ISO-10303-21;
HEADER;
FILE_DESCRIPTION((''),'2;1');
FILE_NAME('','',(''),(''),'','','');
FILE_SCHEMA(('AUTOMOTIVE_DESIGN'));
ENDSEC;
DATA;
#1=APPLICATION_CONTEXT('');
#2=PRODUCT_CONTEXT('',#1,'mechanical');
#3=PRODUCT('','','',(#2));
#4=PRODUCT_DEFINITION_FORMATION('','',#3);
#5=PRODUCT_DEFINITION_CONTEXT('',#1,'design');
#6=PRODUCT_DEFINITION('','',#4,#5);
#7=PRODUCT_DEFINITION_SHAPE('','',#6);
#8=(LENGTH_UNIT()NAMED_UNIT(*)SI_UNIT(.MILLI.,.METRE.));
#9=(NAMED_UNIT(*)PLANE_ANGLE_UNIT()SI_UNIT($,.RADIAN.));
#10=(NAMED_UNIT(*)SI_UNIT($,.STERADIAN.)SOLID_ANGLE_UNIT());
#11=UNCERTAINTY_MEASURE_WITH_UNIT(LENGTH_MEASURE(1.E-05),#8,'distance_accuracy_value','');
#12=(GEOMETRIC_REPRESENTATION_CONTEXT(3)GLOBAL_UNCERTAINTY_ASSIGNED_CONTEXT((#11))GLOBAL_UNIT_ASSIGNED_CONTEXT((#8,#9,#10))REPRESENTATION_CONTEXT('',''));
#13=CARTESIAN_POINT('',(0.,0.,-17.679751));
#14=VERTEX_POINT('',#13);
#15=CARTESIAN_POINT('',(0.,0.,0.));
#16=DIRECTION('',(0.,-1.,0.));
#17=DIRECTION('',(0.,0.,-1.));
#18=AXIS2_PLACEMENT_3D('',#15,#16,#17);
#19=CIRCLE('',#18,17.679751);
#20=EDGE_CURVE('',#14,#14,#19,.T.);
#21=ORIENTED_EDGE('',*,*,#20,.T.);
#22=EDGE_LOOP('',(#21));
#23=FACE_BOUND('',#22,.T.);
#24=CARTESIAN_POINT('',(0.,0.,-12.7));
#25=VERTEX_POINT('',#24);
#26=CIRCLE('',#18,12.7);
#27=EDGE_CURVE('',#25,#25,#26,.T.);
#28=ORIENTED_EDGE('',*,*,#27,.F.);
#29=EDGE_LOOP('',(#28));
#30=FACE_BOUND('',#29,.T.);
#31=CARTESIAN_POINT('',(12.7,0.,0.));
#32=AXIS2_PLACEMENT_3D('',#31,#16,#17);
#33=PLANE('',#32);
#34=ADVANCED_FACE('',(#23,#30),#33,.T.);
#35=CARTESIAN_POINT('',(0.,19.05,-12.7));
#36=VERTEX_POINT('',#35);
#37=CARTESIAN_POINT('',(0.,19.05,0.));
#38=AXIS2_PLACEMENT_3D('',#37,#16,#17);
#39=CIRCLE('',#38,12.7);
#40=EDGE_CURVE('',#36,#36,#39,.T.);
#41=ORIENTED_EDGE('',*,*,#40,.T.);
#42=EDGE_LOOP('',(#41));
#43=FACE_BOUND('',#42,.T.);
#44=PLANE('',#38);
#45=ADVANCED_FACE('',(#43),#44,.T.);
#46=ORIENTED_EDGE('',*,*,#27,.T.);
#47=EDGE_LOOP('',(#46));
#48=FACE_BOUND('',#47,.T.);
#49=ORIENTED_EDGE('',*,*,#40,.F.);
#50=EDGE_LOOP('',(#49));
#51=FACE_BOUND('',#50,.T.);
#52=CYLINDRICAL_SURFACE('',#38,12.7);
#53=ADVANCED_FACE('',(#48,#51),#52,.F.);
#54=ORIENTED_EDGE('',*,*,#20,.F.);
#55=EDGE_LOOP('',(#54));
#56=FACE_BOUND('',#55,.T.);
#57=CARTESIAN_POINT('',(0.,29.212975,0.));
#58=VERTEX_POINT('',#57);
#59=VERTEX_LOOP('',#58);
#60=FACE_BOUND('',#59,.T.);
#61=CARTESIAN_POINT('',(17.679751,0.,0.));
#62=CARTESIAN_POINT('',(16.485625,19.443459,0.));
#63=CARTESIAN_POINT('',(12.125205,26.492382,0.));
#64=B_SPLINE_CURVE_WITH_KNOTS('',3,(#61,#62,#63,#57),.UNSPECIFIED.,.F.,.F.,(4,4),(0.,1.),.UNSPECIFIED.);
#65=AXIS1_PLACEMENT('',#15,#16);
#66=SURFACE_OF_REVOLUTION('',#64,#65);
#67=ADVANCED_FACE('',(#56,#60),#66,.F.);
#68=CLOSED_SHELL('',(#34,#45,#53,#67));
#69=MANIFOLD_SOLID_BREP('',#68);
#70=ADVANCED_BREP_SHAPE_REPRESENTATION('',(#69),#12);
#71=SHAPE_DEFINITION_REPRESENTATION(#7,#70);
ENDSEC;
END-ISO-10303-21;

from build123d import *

# Parameters (mm, degrees)
SKETCH4_R          = 12.7
CUT_EXTRUDE1_DEPTH = 19.05


with BuildPart() as part:
    # Sketch1 → Revolve2 (revolve)
    with BuildSketch(Plane.XY):
        with BuildLine():
            Line((0, 0), (12.7, 0))
            Line((12.7, 0), (17.679751134, 0))
            add(Edge.make_bspline(
                [(17.679751134, 0), (16.48562501, 19.443458986), (12.125204967, 26.49238204), (0, 29.212974986)],
                knots=[0, 0, 0, 0, 1, 1, 1, 1], degree=3))
            Line((0, 29.212974986), (0, 19.05))
            Line((0, 19.05), (0, 0))
        make_face()
    revolve(axis=Axis((0, 0, 0), (0, 1, 0)))

    # Sketch4 → Cut-Extrude1 (cut)
    with BuildSketch(Plane.XZ):
        Circle(SKETCH4_R)
    extrude(amount=-CUT_EXTRUDE1_DEPTH, mode=Mode.SUBTRACT)


solid = part.part
